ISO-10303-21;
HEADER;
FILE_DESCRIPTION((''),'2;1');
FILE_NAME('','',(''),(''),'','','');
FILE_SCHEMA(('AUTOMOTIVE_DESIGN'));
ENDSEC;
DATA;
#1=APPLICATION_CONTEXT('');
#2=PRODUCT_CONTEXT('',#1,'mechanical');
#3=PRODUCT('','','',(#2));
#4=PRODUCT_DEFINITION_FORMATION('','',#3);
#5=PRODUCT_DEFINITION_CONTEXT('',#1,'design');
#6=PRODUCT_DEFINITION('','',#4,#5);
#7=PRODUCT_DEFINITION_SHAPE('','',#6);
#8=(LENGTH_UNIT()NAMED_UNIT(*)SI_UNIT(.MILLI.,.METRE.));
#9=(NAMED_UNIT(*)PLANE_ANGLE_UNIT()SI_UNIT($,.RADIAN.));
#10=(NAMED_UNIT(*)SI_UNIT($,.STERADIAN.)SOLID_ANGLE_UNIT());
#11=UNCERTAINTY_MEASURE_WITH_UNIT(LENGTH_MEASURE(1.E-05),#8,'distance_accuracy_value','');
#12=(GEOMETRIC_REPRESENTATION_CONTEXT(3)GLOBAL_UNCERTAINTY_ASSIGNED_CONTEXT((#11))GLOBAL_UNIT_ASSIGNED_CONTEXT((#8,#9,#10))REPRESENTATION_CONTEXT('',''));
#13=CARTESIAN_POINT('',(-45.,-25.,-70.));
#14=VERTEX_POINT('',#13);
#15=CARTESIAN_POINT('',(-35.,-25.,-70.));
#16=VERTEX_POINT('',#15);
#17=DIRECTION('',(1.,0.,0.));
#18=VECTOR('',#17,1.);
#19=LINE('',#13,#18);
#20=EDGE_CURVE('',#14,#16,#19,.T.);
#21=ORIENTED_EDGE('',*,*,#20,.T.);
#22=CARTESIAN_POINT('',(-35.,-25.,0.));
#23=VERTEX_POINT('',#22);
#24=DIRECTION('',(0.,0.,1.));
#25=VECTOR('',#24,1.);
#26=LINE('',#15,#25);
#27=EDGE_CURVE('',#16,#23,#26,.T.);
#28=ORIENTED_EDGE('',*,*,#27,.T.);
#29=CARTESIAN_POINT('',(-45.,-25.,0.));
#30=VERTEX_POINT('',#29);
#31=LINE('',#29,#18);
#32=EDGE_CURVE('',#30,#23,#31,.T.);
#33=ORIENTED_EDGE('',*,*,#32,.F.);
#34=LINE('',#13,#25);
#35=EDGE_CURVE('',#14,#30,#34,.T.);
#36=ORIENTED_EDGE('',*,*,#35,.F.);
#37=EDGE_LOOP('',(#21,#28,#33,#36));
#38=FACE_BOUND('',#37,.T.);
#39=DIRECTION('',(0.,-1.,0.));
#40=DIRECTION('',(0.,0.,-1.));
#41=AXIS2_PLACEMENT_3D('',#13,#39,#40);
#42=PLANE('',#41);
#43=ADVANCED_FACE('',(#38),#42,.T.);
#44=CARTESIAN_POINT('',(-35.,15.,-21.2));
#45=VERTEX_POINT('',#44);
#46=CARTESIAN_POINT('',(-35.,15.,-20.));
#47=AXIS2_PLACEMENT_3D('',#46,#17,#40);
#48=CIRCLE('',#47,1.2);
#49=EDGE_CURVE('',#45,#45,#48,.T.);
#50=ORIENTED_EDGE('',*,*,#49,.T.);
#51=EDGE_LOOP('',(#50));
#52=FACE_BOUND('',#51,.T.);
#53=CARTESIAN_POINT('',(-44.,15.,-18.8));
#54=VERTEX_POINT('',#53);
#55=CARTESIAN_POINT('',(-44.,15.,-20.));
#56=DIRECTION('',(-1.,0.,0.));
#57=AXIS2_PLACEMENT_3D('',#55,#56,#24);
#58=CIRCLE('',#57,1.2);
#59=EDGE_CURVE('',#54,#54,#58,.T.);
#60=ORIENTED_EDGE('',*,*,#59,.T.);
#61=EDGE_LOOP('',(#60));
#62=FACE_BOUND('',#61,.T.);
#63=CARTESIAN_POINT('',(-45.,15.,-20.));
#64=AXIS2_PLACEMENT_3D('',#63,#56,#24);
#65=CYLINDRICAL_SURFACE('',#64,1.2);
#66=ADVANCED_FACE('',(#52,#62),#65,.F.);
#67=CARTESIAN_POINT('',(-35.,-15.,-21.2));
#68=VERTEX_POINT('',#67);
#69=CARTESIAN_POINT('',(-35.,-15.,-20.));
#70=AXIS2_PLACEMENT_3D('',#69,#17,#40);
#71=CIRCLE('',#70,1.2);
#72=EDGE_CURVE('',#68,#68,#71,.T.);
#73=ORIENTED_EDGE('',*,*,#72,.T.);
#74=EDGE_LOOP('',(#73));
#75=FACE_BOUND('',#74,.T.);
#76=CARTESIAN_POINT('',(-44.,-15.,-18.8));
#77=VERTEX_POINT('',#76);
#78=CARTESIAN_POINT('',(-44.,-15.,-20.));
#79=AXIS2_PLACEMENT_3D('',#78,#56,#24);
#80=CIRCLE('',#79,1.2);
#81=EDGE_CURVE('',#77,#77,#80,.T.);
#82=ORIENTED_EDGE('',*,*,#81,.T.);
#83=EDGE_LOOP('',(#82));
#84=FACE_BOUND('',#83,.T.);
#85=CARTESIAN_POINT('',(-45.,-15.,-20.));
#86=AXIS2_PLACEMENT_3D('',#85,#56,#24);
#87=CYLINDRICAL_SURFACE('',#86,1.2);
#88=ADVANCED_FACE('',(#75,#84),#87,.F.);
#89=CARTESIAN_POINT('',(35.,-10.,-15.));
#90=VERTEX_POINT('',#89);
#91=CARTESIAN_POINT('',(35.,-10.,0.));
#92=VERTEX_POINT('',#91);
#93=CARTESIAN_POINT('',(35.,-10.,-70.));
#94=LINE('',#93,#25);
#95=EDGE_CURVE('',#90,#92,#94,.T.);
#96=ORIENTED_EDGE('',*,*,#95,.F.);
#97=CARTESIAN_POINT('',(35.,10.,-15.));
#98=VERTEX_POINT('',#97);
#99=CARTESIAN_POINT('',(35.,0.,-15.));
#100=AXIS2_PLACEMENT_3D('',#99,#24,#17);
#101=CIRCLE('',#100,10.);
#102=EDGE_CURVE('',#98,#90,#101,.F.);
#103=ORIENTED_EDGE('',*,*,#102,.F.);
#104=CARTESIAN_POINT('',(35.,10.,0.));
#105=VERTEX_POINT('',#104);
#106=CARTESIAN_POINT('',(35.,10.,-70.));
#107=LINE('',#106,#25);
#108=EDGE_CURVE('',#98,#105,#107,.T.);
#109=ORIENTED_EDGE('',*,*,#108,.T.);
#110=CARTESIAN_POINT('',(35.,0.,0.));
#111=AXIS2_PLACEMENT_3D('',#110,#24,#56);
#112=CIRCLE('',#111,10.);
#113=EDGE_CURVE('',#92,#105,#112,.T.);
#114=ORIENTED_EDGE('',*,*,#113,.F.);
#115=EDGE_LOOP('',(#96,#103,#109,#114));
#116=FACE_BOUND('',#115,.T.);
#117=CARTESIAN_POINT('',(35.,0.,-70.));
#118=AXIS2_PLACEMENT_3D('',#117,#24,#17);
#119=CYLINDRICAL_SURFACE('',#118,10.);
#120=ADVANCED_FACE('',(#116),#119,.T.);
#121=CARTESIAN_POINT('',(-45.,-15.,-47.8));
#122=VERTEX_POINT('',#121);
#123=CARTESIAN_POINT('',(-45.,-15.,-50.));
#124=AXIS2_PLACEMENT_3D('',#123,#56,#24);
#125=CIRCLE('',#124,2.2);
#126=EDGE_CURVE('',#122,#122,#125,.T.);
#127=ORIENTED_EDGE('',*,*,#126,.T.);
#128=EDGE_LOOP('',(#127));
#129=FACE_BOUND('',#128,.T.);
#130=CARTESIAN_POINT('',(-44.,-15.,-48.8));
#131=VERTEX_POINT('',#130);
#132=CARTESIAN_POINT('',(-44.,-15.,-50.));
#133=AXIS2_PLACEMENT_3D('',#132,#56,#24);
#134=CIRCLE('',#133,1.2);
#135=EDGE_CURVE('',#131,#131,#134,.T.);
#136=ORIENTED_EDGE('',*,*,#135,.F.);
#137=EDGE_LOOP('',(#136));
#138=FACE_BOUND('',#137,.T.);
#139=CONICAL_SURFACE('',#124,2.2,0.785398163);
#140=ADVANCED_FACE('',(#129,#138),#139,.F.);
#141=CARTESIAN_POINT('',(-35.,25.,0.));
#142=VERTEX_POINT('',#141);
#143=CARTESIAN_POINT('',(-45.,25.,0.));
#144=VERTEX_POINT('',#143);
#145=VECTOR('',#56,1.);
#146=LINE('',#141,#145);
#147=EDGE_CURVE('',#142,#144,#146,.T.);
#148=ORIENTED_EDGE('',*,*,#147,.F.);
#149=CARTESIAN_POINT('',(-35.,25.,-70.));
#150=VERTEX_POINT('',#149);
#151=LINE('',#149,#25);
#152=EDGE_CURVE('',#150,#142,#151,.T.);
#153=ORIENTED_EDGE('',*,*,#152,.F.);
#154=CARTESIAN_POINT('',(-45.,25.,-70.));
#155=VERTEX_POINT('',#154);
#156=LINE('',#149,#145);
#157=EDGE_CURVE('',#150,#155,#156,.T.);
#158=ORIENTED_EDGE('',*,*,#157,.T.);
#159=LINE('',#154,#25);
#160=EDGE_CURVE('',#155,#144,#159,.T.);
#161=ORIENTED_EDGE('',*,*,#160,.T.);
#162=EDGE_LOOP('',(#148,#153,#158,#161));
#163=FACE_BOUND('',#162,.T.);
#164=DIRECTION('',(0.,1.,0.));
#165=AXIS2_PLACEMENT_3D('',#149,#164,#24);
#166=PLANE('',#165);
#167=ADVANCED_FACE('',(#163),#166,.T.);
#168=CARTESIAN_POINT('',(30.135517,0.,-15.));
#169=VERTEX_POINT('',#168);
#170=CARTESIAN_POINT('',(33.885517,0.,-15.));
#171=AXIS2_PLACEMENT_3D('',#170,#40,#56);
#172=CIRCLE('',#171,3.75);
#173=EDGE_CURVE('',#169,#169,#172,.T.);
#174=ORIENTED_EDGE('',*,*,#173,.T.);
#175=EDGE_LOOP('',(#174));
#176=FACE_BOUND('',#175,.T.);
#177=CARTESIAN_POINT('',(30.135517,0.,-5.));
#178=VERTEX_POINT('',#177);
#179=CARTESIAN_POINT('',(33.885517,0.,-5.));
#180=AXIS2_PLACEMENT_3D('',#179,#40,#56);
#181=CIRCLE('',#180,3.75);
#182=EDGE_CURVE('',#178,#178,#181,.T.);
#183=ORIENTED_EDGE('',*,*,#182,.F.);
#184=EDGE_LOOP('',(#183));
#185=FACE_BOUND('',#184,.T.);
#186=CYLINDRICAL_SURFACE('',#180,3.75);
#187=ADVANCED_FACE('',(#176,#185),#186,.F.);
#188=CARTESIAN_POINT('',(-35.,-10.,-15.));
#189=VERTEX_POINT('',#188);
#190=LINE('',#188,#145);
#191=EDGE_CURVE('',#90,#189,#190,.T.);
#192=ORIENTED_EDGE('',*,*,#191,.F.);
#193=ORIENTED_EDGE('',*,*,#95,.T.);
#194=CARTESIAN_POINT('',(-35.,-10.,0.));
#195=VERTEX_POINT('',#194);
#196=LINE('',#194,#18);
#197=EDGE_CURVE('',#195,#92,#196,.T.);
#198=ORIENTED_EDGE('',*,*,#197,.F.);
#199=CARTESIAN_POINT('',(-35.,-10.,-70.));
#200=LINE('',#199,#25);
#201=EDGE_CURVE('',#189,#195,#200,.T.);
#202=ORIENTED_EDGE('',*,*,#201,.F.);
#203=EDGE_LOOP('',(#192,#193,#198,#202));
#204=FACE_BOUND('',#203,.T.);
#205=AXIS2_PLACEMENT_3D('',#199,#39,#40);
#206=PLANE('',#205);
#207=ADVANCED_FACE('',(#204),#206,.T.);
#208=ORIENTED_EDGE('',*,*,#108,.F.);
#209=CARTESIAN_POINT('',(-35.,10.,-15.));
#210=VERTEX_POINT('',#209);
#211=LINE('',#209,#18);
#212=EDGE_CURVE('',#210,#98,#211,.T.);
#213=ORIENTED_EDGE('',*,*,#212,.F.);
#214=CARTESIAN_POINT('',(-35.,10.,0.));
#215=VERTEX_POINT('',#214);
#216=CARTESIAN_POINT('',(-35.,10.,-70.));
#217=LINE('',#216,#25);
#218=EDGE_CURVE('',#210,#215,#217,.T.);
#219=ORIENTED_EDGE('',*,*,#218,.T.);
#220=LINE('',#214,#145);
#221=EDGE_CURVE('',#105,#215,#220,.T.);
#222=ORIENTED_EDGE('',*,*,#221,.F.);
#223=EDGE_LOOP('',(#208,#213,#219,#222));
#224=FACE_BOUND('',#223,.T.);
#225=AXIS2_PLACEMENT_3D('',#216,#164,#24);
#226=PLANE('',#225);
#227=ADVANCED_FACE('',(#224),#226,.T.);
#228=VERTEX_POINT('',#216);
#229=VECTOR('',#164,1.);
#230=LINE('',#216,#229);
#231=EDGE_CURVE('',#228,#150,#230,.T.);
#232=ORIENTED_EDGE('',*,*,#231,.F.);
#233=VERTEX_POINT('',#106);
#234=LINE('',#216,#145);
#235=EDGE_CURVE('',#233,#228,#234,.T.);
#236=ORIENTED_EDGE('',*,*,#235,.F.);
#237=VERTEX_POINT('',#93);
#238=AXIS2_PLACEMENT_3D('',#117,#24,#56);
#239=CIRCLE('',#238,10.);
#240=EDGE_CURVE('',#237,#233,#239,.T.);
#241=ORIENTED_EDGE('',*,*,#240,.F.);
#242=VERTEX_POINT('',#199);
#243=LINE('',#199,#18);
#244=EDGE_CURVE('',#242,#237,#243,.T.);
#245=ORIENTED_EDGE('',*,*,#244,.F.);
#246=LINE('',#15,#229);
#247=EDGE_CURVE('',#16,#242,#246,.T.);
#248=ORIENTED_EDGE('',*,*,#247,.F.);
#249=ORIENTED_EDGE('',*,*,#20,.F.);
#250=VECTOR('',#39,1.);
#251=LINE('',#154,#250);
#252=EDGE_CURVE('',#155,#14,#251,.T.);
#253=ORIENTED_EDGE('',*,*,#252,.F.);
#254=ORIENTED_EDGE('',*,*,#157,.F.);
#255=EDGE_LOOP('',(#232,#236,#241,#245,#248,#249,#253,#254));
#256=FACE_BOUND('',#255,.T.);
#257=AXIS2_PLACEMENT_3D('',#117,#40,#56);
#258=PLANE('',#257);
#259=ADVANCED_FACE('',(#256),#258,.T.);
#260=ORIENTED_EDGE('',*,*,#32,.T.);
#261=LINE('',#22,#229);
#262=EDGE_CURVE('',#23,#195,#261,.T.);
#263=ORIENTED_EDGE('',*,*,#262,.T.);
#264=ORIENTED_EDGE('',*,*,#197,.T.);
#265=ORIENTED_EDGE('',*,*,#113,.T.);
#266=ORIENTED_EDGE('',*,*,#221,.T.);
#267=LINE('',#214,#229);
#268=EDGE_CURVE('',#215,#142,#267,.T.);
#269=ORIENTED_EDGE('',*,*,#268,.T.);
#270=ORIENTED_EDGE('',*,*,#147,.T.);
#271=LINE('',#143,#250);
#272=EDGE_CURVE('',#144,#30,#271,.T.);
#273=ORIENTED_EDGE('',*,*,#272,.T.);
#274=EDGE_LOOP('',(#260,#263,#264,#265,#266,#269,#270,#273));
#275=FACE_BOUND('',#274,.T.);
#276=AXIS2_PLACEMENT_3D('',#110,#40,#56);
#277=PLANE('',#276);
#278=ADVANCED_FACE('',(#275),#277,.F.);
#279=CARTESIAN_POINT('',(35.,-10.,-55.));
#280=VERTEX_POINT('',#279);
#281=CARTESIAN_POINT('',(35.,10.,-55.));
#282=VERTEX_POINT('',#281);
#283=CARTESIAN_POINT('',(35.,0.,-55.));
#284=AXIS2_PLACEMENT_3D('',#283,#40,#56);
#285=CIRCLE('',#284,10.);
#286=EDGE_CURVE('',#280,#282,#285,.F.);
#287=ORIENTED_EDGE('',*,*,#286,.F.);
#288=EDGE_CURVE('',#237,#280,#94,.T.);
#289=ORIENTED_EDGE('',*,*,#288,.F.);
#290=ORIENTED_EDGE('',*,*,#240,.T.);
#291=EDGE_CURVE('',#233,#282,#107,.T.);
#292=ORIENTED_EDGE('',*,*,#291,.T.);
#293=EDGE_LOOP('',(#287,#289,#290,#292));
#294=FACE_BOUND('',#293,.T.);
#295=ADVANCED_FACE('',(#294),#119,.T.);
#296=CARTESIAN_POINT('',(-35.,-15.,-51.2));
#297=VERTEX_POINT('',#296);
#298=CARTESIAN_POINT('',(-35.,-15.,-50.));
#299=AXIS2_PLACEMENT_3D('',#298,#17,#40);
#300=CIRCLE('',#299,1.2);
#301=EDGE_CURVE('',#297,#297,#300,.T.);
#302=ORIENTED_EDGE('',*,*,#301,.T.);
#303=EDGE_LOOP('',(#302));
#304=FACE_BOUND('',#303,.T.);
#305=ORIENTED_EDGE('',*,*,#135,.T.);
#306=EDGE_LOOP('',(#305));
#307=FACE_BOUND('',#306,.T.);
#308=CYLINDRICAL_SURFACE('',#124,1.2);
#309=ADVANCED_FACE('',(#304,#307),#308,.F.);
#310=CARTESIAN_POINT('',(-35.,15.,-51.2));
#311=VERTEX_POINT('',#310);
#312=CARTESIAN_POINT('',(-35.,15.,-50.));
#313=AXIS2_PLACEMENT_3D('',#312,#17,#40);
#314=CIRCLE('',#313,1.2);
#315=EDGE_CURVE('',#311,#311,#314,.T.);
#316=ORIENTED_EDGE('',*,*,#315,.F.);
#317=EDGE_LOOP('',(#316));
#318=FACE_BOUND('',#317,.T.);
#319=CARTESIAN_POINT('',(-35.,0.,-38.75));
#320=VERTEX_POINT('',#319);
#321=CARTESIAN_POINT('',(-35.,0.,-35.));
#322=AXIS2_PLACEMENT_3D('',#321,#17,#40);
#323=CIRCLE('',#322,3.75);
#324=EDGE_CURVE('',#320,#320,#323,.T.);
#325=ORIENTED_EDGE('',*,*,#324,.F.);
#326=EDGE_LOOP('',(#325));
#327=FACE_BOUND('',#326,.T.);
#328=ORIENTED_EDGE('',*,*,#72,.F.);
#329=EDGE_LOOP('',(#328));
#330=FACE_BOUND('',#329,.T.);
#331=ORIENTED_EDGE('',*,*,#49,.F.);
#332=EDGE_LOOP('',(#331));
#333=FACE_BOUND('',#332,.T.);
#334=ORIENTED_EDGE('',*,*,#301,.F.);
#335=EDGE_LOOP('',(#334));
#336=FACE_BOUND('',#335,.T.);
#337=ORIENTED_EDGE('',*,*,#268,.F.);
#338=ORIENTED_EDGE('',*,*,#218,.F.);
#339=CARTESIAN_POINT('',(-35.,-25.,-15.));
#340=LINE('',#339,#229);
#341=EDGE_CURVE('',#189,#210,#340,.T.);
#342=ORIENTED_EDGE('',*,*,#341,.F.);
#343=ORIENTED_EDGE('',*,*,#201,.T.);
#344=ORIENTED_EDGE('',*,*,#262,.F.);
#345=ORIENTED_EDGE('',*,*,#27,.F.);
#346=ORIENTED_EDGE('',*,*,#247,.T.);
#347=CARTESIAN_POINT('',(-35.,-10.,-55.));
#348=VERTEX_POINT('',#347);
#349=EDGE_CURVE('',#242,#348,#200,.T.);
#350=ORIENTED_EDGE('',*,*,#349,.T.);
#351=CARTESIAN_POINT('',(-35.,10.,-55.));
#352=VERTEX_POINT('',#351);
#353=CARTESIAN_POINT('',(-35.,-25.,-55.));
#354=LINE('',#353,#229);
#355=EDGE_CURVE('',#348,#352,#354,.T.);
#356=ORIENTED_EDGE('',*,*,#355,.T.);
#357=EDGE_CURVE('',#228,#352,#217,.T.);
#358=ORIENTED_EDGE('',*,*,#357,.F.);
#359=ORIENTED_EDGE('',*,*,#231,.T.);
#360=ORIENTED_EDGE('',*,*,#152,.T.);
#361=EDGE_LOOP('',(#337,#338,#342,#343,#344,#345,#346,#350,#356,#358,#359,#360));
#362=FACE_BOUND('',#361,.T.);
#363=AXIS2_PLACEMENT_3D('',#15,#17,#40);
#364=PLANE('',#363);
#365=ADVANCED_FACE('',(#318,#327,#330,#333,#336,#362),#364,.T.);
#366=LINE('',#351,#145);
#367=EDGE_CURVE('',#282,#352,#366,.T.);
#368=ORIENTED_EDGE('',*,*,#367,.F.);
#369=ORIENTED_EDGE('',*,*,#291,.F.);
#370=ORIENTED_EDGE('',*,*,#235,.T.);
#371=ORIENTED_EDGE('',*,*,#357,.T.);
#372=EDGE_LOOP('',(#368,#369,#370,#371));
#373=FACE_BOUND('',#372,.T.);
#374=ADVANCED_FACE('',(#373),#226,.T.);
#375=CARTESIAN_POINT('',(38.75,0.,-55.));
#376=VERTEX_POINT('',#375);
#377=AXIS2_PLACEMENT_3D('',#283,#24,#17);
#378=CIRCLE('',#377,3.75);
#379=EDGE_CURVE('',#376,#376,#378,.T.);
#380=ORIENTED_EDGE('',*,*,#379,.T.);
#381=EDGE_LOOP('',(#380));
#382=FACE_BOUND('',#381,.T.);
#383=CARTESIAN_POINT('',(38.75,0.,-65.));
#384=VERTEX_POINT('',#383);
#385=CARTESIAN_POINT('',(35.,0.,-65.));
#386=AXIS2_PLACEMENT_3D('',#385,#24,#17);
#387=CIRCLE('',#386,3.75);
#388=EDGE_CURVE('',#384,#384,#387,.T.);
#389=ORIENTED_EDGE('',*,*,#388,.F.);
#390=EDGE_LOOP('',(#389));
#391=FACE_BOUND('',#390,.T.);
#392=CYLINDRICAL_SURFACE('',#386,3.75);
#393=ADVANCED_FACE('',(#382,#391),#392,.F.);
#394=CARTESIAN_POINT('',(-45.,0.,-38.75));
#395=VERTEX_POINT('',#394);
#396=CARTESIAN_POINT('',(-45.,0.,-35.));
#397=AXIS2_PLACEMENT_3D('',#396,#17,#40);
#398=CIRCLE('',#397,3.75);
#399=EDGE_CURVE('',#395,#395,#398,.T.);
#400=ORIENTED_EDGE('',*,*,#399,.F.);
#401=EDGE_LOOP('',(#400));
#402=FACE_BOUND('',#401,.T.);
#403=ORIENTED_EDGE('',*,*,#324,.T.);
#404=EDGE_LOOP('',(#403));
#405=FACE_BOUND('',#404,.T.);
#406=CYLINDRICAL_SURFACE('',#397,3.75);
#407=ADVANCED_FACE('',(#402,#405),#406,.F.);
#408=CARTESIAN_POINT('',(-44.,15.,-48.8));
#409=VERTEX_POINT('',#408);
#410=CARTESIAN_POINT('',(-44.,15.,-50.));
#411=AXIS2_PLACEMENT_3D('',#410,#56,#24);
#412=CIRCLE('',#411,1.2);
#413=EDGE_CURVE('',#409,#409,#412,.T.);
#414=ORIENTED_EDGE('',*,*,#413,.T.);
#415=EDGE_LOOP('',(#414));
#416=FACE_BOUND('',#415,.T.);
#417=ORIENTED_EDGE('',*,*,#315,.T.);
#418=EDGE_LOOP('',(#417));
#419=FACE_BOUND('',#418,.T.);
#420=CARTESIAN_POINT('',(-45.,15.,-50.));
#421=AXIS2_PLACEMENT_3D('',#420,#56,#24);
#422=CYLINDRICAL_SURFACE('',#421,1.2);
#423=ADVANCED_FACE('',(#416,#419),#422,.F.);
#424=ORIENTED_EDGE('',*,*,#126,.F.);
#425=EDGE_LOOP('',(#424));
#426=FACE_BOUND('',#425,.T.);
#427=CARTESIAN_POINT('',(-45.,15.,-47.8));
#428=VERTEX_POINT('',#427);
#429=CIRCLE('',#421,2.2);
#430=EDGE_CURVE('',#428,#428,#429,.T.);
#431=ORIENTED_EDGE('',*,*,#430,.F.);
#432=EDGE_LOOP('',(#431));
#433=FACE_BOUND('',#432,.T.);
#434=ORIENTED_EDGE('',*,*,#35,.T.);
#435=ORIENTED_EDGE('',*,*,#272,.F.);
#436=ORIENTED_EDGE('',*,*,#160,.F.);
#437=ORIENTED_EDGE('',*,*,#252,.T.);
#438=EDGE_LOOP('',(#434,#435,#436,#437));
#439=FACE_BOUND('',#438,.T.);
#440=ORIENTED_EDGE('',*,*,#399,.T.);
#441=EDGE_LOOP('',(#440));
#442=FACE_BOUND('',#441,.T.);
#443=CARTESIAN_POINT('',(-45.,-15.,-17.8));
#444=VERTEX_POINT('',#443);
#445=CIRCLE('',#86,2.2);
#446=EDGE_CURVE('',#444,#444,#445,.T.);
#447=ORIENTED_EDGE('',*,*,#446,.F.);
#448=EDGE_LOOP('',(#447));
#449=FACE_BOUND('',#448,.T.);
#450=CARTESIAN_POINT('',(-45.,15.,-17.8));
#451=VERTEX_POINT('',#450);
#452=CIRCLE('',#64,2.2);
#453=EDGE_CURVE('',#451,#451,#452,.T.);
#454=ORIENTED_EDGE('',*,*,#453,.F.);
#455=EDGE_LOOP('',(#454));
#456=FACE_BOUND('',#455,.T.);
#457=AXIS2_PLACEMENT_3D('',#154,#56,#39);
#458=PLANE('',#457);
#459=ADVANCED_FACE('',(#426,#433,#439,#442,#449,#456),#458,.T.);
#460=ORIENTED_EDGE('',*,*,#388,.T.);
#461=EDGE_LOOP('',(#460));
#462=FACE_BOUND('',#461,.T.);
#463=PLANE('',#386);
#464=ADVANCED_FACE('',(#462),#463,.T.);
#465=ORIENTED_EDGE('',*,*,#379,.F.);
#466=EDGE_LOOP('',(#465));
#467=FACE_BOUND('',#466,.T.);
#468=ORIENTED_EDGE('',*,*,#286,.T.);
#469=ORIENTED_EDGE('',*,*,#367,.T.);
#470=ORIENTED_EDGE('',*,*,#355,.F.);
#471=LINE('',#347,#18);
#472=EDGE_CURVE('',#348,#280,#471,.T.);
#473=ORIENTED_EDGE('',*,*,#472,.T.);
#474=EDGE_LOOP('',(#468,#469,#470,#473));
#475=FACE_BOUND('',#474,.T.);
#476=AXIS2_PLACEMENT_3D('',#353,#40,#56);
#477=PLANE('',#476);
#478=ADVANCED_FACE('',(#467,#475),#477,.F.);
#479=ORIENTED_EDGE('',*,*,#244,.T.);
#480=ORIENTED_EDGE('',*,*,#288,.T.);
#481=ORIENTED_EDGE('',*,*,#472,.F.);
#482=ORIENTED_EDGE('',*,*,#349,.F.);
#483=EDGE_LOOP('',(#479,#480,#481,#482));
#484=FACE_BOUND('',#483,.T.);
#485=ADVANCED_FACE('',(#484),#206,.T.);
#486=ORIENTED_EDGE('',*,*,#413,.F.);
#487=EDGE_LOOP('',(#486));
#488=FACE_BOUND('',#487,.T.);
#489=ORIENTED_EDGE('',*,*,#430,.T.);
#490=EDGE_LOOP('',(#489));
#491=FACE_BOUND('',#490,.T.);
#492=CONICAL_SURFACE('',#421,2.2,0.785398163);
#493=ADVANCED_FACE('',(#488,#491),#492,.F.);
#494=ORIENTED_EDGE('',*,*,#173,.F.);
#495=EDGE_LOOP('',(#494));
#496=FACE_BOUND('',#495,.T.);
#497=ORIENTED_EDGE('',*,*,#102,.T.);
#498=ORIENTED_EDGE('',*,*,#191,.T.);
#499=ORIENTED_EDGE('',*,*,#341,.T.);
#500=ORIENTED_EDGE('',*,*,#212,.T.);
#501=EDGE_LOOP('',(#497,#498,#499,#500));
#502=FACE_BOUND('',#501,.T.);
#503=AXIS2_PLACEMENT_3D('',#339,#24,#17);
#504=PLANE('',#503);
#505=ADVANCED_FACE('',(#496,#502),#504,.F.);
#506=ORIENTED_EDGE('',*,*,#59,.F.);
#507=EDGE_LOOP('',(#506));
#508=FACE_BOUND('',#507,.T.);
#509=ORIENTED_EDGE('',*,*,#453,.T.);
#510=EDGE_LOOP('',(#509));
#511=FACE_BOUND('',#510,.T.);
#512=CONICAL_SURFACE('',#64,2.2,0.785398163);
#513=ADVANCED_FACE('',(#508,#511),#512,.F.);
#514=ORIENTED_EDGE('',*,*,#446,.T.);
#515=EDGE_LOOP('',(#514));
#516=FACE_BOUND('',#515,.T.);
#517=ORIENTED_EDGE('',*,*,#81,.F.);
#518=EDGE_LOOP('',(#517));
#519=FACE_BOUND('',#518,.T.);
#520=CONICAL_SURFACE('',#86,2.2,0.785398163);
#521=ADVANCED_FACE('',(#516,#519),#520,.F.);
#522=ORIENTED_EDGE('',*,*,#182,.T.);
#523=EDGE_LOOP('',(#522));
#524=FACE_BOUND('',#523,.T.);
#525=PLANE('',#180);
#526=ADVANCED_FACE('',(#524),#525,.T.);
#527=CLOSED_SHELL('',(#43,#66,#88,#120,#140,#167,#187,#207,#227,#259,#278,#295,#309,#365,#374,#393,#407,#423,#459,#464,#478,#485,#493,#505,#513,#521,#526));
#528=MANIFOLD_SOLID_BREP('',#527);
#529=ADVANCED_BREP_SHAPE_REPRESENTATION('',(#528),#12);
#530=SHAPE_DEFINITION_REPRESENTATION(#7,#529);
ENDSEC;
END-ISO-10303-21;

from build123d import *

# Parameters (mm, degrees)
BOSS_EXTRUDE1_DEPTH                             = 70
SKETCH2_W                                       = 100.495668723
SKETCH2_H                                       = 40
CUT_EXTRUDE1_DEPTH                              = 91.277350426
SKETCH3_R                                       = 3.75
CUT_EXTRUDE2_DEPTH                              = 10
SKETCH4_R                                       = 3.75
CUT_EXTRUDE3_DEPTH                              = 10
SKETCH5_R                                       = 3.75
CUT_EXTRUDE4_DEPTH                              = 110.201648339
CSK_FOR_M2_FLAT_HEAD_MACHINE_SCREW1_D           = 2.4
CSK_FOR_M2_FLAT_HEAD_MACHINE_SCREW1_CSINK_D     = 4.4
CSK_FOR_M2_FLAT_HEAD_MACHINE_SCREW1_CSINK_ANGLE = 90


with BuildPart() as part:
    # Sketch1 → Boss-Extrude1 (new body)
    with BuildSketch(Plane.XY):
        with BuildLine():
            Line((-35, 10), (-35, 25))
            Line((-35, 25), (-45, 25))
            Line((-45, 25), (-45, -25))
            Line((-45, -25), (-35, -25))
            Line((-35, -25), (-35, -10))
            Line((-35, -10), (35, -10))
            ThreePointArc((35, -10), (45, 0), (35, 10))
            Line((35, 10), (-35, 10))
        make_face()
    extrude(amount=-BOSS_EXTRUDE1_DEPTH)

    # Sketch2 → Cut-Extrude1 (cut, through all)
    with BuildSketch(Plane(origin=(0, 10, 0), x_dir=(1, 0, 0), z_dir=(0, 1, 0))):
        with Locations((15.247834362, 35)):
            Rectangle(SKETCH2_W, SKETCH2_H)
    extrude(amount=-CUT_EXTRUDE1_DEPTH, mode=Mode.SUBTRACT)

    # Sketch3 → Cut-Extrude2 (cut)
    with BuildSketch(Plane.XY.offset(-55)):
        with Locations((35, 0)):
            Circle(SKETCH3_R)
    extrude(amount=-CUT_EXTRUDE2_DEPTH, mode=Mode.SUBTRACT)

    # Sketch4 → Cut-Extrude3 (cut)
    with BuildSketch(Plane(origin=(0, 0, -15), x_dir=(-1, 0, 0), z_dir=(0, 0, -1))):
        with Locations((-33.885516641, 0)):
            Circle(SKETCH4_R)
    extrude(amount=-CUT_EXTRUDE3_DEPTH, mode=Mode.SUBTRACT)

    # Sketch5 → Cut-Extrude4 (cut, through all)
    with BuildSketch(Plane(origin=(-35, 0, 0), x_dir=(0, 0, -1), z_dir=(1, 0, 0))):
        with Locations((35, 0)):
            Circle(SKETCH5_R)
    extrude(amount=-CUT_EXTRUDE4_DEPTH, mode=Mode.SUBTRACT)

    # CSK for M2 Flat Head Machine Screw1 (through all)
    with Locations(Plane.ZY.offset(45)):
        with Locations((-50, 15), (-20, 15), (-20, -15), (-50, -15)):
            CounterSinkHole(CSK_FOR_M2_FLAT_HEAD_MACHINE_SCREW1_D / 2, CSK_FOR_M2_FLAT_HEAD_MACHINE_SCREW1_CSINK_D / 2, counter_sink_angle=CSK_FOR_M2_FLAT_HEAD_MACHINE_SCREW1_CSINK_ANGLE)


solid = part.part
